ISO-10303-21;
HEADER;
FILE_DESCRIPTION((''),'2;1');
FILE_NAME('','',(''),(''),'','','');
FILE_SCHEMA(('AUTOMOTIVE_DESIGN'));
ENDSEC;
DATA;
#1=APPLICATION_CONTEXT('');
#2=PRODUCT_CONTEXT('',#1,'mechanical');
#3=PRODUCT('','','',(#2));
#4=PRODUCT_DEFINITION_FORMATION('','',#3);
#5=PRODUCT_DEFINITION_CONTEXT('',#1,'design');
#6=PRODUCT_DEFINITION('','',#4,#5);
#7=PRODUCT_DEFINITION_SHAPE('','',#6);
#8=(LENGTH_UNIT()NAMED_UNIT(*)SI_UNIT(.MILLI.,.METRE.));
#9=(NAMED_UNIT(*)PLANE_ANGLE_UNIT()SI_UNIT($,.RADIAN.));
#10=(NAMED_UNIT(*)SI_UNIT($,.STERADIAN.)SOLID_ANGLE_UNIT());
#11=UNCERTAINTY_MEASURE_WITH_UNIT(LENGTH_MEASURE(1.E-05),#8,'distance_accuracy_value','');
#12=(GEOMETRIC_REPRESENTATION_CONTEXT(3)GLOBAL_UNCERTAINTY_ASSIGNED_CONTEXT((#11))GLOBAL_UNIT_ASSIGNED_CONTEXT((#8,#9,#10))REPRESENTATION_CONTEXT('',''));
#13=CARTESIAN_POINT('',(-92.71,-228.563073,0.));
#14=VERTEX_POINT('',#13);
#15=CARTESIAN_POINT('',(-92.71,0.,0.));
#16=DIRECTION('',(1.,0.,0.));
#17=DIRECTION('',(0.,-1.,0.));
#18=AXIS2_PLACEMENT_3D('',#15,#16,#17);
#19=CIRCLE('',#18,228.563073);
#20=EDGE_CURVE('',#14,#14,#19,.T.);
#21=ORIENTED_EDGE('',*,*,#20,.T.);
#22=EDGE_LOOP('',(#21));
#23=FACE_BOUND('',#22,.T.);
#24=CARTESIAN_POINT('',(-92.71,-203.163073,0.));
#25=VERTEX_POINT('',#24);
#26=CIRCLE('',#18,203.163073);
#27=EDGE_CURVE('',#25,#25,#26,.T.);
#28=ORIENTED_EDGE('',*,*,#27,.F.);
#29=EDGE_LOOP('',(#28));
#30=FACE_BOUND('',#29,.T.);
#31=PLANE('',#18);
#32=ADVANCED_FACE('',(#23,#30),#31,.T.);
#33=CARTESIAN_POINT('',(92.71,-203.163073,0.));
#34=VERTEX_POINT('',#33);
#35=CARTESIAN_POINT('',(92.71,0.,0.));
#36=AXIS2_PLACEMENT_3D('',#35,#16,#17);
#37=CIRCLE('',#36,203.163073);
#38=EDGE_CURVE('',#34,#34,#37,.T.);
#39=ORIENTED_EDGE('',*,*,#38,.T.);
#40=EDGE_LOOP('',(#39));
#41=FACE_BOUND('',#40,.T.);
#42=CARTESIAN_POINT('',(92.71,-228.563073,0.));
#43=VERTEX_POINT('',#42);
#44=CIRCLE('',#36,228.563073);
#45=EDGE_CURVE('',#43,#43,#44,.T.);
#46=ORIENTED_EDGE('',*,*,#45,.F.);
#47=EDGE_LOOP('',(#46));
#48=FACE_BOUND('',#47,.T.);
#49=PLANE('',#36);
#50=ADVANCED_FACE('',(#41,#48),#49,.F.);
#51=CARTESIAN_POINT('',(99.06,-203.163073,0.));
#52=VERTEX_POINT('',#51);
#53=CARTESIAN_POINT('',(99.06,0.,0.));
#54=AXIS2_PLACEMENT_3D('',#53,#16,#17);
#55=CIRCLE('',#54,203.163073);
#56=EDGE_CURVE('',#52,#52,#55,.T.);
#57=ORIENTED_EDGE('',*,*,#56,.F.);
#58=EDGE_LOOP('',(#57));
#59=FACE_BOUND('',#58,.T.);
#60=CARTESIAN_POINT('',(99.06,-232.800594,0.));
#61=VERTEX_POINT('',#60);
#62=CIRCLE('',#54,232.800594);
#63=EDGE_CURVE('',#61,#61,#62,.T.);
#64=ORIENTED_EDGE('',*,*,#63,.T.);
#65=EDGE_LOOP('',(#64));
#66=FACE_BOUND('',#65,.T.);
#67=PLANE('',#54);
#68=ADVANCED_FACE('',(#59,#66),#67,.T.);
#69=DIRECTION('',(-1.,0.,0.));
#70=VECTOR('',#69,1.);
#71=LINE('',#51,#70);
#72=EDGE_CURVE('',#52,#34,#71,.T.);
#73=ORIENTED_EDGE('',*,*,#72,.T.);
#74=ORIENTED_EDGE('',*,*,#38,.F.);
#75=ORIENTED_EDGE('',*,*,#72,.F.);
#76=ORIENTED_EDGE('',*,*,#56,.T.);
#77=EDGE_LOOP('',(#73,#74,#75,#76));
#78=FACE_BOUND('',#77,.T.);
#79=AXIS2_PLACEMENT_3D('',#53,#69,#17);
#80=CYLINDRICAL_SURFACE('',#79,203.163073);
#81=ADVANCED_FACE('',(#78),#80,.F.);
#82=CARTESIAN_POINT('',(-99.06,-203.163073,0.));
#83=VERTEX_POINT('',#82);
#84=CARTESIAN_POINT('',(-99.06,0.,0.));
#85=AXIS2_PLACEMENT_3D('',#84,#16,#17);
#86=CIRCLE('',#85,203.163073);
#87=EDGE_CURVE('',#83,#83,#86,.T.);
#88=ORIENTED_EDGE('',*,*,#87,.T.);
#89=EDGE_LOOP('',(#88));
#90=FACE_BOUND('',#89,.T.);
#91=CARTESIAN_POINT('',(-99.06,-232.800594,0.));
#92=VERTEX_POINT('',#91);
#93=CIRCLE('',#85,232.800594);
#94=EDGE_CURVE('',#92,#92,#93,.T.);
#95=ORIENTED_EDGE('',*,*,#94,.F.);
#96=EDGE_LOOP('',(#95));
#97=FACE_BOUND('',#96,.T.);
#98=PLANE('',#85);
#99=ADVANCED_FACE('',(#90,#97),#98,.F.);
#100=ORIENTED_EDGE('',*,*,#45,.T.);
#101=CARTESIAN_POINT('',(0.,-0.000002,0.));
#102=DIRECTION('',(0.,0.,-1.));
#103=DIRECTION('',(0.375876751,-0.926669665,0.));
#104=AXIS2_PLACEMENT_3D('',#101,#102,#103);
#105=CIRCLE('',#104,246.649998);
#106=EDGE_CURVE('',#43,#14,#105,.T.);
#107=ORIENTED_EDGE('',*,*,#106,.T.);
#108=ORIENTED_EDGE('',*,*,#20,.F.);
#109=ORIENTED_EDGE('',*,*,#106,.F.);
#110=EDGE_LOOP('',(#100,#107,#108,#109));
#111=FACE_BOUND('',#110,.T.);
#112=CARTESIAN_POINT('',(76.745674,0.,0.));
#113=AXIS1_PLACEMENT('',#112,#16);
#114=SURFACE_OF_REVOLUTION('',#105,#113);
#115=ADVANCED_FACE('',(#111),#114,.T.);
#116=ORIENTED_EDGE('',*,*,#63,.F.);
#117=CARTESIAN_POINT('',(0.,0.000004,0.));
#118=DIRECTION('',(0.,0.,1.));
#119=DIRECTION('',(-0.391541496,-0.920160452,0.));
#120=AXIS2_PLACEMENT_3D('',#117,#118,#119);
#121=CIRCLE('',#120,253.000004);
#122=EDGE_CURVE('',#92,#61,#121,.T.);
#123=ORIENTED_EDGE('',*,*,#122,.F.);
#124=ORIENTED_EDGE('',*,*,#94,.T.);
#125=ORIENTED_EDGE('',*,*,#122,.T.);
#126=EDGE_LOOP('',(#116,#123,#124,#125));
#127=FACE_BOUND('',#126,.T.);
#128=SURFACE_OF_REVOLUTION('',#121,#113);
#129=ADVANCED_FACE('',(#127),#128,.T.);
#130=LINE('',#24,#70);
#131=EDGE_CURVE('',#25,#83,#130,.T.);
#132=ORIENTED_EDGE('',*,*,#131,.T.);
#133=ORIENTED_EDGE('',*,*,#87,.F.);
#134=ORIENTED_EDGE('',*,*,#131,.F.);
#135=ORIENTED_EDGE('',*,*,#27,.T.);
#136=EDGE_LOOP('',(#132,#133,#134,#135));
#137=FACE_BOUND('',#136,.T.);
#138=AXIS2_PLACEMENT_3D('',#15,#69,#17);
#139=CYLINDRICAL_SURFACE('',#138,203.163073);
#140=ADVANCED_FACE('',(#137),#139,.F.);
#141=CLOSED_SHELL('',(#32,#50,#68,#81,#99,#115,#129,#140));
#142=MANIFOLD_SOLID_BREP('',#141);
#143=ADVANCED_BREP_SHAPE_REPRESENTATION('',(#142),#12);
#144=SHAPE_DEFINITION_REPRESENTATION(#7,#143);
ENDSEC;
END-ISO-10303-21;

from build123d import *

# Parameters (mm, degrees)
F2_R     = 2
F3_DEPTH = 198.121


with BuildPart() as f1:
    # F0 (on Top) → F1 (revolve)
    with BuildSketch(Plane.XY):
        with BuildLine():
            Line((-99.06, -203.163073), (-99.06, -232.800594))
            ThreePointArc((-99.06, -232.800594), (0, -253), (99.06, -232.800594))
            Line((99.06, -232.800594), (99.06, -203.163073))
            Line((99.06, -203.163073), (92.71, -203.163073))
            Line((92.71, -203.163073), (92.71, -228.563073))
            ThreePointArc((92.71, -228.563073), (0, -246.65), (-92.71, -228.563073))
            Line((-92.71, -228.563073), (-92.71, -203.163073))
            Line((-92.71, -203.163073), (-99.06, -203.163073))
        make_face()
    revolve(axis=Axis((76.745674, 0, 0), (1, 0, 0)))

    # F2 (on face) → F3 (cut, through all)
    with BuildSketch(Plane.YZ.offset(99.06)):
        with Locations((-16.355159, 186.940326)):
            Circle(F2_R)
        with Locations((-48.568535, 181.260238)):
            Circle(F2_R)
        with Locations((-79.306179, 170.072651)):
            Circle(F2_R)
        with Locations((-107.634146, 153.717491)):
            Circle(F2_R)
        with Locations((-132.691704, 132.691704)):
            Circle(F2_R)
        with Locations((-153.717491, 107.634146)):
            Circle(F2_R)
        with Locations((-170.072651, 79.306179)):
            Circle(F2_R)
        with Locations((-181.260238, 48.568535)):
            Circle(F2_R)
        with Locations((-186.940326, 16.355159)):
            Circle(F2_R)
        with Locations((-186.940326, -16.355159)):
            Circle(F2_R)
        with Locations((-181.260238, -48.568535)):
            Circle(F2_R)
        with Locations((-170.072651, -79.306179)):
            Circle(F2_R)
        with Locations((-153.717491, -107.634146)):
            Circle(F2_R)
        with Locations((-132.691704, -132.691704)):
            Circle(F2_R)
        with Locations((-107.634146, -153.717491)):
            Circle(F2_R)
        with Locations((-79.306179, -170.072651)):
            Circle(F2_R)
        with Locations((-48.568535, -181.260238)):
            Circle(F2_R)
        with Locations((-16.355159, -186.940326)):
            Circle(F2_R)
        with Locations((16.355159, -186.940326)):
            Circle(F2_R)
        with Locations((48.568535, -181.260238)):
            Circle(F2_R)
        with Locations((79.306179, -170.072651)):
            Circle(F2_R)
        with Locations((107.634146, -153.717491)):
            Circle(F2_R)
        with Locations((132.691704, -132.691704)):
            Circle(F2_R)
        with Locations((153.717491, -107.634146)):
            Circle(F2_R)
        with Locations((170.072651, -79.306179)):
            Circle(F2_R)
        with Locations((181.260238, -48.568535)):
            Circle(F2_R)
        with Locations((186.940326, -16.355159)):
            Circle(F2_R)
        with Locations((186.940326, 16.355159)):
            Circle(F2_R)
        with Locations((181.260238, 48.568535)):
            Circle(F2_R)
        with Locations((170.072651, 79.306179)):
            Circle(F2_R)
        with Locations((153.717491, 107.634146)):
            Circle(F2_R)
        with Locations((132.691704, 132.691704)):
            Circle(F2_R)
        with Locations((107.634146, 153.717491)):
            Circle(F2_R)
        with Locations((79.306179, 170.072651)):
            Circle(F2_R)
        with Locations((48.568535, 181.260238)):
            Circle(F2_R)
        with Locations((16.355159, 186.940326)):
            Circle(F2_R)
    extrude(amount=-F3_DEPTH, mode=Mode.SUBTRACT)


solid = f1.part
